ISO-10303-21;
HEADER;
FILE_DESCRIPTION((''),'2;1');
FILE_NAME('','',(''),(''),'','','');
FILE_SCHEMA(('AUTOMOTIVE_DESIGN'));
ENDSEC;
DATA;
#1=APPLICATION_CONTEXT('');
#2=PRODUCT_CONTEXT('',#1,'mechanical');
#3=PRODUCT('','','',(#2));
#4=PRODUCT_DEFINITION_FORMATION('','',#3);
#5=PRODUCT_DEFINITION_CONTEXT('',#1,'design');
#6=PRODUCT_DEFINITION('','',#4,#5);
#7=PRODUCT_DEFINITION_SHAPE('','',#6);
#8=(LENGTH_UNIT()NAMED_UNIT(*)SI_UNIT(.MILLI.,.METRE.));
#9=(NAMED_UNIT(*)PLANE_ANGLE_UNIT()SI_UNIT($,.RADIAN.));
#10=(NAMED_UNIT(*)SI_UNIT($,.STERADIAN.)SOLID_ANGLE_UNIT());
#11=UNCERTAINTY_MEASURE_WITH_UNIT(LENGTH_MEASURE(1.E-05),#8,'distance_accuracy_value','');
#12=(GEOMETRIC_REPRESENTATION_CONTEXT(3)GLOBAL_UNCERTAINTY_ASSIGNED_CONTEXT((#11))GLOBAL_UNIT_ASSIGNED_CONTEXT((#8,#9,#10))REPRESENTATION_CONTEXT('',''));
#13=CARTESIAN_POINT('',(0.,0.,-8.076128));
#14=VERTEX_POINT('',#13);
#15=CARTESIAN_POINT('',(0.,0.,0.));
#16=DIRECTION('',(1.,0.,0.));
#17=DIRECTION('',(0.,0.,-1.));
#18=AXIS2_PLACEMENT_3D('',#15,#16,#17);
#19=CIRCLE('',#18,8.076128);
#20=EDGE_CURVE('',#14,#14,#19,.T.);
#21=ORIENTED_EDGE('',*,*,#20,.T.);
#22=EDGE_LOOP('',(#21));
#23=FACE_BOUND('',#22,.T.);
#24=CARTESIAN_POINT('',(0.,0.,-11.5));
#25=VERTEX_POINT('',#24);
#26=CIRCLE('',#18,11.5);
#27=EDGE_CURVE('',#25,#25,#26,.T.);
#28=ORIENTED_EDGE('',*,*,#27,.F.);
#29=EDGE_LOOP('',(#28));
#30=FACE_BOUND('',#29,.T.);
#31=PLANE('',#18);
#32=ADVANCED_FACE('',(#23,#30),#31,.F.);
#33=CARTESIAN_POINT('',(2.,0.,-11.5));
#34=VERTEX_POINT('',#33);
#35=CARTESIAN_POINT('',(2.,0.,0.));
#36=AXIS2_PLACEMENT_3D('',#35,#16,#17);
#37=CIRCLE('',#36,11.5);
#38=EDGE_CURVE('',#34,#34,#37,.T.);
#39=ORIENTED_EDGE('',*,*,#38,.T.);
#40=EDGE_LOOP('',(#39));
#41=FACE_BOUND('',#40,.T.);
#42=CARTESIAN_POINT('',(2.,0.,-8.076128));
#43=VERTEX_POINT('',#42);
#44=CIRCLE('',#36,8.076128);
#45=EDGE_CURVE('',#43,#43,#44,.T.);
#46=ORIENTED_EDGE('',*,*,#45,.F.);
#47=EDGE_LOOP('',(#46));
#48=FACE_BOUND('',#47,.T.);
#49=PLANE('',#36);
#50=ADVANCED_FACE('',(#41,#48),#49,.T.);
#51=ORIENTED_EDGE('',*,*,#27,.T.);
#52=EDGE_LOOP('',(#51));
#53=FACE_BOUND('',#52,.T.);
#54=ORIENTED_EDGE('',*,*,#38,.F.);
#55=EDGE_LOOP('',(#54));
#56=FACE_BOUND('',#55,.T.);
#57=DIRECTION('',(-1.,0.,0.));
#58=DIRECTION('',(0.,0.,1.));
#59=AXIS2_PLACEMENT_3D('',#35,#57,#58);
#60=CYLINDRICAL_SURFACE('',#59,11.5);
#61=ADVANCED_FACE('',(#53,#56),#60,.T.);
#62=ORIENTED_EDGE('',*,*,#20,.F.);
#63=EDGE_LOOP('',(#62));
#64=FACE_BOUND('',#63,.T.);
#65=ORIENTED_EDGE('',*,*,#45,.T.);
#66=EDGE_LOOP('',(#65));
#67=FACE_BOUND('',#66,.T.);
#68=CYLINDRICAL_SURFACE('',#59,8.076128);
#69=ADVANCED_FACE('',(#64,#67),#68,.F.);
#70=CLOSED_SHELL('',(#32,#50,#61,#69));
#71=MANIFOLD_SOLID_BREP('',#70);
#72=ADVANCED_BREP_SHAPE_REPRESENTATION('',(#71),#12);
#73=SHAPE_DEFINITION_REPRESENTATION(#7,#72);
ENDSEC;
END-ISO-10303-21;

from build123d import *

# Parameters (mm, degrees)
SKETCH1_R           = 11.5
SKETCH1_R_2         = 8.076127585
BOSS_EXTRUDE1_DEPTH = 2


with BuildPart() as part:
    # Sketch1 → Boss-Extrude1 (new body)
    with BuildSketch(Plane(origin=(0, 0, 0), x_dir=(0, 0, -1), z_dir=(1, 0, 0))):
        Circle(SKETCH1_R)
        Circle(SKETCH1_R_2, mode=Mode.SUBTRACT)
    extrude(amount=BOSS_EXTRUDE1_DEPTH)


solid = part.part
